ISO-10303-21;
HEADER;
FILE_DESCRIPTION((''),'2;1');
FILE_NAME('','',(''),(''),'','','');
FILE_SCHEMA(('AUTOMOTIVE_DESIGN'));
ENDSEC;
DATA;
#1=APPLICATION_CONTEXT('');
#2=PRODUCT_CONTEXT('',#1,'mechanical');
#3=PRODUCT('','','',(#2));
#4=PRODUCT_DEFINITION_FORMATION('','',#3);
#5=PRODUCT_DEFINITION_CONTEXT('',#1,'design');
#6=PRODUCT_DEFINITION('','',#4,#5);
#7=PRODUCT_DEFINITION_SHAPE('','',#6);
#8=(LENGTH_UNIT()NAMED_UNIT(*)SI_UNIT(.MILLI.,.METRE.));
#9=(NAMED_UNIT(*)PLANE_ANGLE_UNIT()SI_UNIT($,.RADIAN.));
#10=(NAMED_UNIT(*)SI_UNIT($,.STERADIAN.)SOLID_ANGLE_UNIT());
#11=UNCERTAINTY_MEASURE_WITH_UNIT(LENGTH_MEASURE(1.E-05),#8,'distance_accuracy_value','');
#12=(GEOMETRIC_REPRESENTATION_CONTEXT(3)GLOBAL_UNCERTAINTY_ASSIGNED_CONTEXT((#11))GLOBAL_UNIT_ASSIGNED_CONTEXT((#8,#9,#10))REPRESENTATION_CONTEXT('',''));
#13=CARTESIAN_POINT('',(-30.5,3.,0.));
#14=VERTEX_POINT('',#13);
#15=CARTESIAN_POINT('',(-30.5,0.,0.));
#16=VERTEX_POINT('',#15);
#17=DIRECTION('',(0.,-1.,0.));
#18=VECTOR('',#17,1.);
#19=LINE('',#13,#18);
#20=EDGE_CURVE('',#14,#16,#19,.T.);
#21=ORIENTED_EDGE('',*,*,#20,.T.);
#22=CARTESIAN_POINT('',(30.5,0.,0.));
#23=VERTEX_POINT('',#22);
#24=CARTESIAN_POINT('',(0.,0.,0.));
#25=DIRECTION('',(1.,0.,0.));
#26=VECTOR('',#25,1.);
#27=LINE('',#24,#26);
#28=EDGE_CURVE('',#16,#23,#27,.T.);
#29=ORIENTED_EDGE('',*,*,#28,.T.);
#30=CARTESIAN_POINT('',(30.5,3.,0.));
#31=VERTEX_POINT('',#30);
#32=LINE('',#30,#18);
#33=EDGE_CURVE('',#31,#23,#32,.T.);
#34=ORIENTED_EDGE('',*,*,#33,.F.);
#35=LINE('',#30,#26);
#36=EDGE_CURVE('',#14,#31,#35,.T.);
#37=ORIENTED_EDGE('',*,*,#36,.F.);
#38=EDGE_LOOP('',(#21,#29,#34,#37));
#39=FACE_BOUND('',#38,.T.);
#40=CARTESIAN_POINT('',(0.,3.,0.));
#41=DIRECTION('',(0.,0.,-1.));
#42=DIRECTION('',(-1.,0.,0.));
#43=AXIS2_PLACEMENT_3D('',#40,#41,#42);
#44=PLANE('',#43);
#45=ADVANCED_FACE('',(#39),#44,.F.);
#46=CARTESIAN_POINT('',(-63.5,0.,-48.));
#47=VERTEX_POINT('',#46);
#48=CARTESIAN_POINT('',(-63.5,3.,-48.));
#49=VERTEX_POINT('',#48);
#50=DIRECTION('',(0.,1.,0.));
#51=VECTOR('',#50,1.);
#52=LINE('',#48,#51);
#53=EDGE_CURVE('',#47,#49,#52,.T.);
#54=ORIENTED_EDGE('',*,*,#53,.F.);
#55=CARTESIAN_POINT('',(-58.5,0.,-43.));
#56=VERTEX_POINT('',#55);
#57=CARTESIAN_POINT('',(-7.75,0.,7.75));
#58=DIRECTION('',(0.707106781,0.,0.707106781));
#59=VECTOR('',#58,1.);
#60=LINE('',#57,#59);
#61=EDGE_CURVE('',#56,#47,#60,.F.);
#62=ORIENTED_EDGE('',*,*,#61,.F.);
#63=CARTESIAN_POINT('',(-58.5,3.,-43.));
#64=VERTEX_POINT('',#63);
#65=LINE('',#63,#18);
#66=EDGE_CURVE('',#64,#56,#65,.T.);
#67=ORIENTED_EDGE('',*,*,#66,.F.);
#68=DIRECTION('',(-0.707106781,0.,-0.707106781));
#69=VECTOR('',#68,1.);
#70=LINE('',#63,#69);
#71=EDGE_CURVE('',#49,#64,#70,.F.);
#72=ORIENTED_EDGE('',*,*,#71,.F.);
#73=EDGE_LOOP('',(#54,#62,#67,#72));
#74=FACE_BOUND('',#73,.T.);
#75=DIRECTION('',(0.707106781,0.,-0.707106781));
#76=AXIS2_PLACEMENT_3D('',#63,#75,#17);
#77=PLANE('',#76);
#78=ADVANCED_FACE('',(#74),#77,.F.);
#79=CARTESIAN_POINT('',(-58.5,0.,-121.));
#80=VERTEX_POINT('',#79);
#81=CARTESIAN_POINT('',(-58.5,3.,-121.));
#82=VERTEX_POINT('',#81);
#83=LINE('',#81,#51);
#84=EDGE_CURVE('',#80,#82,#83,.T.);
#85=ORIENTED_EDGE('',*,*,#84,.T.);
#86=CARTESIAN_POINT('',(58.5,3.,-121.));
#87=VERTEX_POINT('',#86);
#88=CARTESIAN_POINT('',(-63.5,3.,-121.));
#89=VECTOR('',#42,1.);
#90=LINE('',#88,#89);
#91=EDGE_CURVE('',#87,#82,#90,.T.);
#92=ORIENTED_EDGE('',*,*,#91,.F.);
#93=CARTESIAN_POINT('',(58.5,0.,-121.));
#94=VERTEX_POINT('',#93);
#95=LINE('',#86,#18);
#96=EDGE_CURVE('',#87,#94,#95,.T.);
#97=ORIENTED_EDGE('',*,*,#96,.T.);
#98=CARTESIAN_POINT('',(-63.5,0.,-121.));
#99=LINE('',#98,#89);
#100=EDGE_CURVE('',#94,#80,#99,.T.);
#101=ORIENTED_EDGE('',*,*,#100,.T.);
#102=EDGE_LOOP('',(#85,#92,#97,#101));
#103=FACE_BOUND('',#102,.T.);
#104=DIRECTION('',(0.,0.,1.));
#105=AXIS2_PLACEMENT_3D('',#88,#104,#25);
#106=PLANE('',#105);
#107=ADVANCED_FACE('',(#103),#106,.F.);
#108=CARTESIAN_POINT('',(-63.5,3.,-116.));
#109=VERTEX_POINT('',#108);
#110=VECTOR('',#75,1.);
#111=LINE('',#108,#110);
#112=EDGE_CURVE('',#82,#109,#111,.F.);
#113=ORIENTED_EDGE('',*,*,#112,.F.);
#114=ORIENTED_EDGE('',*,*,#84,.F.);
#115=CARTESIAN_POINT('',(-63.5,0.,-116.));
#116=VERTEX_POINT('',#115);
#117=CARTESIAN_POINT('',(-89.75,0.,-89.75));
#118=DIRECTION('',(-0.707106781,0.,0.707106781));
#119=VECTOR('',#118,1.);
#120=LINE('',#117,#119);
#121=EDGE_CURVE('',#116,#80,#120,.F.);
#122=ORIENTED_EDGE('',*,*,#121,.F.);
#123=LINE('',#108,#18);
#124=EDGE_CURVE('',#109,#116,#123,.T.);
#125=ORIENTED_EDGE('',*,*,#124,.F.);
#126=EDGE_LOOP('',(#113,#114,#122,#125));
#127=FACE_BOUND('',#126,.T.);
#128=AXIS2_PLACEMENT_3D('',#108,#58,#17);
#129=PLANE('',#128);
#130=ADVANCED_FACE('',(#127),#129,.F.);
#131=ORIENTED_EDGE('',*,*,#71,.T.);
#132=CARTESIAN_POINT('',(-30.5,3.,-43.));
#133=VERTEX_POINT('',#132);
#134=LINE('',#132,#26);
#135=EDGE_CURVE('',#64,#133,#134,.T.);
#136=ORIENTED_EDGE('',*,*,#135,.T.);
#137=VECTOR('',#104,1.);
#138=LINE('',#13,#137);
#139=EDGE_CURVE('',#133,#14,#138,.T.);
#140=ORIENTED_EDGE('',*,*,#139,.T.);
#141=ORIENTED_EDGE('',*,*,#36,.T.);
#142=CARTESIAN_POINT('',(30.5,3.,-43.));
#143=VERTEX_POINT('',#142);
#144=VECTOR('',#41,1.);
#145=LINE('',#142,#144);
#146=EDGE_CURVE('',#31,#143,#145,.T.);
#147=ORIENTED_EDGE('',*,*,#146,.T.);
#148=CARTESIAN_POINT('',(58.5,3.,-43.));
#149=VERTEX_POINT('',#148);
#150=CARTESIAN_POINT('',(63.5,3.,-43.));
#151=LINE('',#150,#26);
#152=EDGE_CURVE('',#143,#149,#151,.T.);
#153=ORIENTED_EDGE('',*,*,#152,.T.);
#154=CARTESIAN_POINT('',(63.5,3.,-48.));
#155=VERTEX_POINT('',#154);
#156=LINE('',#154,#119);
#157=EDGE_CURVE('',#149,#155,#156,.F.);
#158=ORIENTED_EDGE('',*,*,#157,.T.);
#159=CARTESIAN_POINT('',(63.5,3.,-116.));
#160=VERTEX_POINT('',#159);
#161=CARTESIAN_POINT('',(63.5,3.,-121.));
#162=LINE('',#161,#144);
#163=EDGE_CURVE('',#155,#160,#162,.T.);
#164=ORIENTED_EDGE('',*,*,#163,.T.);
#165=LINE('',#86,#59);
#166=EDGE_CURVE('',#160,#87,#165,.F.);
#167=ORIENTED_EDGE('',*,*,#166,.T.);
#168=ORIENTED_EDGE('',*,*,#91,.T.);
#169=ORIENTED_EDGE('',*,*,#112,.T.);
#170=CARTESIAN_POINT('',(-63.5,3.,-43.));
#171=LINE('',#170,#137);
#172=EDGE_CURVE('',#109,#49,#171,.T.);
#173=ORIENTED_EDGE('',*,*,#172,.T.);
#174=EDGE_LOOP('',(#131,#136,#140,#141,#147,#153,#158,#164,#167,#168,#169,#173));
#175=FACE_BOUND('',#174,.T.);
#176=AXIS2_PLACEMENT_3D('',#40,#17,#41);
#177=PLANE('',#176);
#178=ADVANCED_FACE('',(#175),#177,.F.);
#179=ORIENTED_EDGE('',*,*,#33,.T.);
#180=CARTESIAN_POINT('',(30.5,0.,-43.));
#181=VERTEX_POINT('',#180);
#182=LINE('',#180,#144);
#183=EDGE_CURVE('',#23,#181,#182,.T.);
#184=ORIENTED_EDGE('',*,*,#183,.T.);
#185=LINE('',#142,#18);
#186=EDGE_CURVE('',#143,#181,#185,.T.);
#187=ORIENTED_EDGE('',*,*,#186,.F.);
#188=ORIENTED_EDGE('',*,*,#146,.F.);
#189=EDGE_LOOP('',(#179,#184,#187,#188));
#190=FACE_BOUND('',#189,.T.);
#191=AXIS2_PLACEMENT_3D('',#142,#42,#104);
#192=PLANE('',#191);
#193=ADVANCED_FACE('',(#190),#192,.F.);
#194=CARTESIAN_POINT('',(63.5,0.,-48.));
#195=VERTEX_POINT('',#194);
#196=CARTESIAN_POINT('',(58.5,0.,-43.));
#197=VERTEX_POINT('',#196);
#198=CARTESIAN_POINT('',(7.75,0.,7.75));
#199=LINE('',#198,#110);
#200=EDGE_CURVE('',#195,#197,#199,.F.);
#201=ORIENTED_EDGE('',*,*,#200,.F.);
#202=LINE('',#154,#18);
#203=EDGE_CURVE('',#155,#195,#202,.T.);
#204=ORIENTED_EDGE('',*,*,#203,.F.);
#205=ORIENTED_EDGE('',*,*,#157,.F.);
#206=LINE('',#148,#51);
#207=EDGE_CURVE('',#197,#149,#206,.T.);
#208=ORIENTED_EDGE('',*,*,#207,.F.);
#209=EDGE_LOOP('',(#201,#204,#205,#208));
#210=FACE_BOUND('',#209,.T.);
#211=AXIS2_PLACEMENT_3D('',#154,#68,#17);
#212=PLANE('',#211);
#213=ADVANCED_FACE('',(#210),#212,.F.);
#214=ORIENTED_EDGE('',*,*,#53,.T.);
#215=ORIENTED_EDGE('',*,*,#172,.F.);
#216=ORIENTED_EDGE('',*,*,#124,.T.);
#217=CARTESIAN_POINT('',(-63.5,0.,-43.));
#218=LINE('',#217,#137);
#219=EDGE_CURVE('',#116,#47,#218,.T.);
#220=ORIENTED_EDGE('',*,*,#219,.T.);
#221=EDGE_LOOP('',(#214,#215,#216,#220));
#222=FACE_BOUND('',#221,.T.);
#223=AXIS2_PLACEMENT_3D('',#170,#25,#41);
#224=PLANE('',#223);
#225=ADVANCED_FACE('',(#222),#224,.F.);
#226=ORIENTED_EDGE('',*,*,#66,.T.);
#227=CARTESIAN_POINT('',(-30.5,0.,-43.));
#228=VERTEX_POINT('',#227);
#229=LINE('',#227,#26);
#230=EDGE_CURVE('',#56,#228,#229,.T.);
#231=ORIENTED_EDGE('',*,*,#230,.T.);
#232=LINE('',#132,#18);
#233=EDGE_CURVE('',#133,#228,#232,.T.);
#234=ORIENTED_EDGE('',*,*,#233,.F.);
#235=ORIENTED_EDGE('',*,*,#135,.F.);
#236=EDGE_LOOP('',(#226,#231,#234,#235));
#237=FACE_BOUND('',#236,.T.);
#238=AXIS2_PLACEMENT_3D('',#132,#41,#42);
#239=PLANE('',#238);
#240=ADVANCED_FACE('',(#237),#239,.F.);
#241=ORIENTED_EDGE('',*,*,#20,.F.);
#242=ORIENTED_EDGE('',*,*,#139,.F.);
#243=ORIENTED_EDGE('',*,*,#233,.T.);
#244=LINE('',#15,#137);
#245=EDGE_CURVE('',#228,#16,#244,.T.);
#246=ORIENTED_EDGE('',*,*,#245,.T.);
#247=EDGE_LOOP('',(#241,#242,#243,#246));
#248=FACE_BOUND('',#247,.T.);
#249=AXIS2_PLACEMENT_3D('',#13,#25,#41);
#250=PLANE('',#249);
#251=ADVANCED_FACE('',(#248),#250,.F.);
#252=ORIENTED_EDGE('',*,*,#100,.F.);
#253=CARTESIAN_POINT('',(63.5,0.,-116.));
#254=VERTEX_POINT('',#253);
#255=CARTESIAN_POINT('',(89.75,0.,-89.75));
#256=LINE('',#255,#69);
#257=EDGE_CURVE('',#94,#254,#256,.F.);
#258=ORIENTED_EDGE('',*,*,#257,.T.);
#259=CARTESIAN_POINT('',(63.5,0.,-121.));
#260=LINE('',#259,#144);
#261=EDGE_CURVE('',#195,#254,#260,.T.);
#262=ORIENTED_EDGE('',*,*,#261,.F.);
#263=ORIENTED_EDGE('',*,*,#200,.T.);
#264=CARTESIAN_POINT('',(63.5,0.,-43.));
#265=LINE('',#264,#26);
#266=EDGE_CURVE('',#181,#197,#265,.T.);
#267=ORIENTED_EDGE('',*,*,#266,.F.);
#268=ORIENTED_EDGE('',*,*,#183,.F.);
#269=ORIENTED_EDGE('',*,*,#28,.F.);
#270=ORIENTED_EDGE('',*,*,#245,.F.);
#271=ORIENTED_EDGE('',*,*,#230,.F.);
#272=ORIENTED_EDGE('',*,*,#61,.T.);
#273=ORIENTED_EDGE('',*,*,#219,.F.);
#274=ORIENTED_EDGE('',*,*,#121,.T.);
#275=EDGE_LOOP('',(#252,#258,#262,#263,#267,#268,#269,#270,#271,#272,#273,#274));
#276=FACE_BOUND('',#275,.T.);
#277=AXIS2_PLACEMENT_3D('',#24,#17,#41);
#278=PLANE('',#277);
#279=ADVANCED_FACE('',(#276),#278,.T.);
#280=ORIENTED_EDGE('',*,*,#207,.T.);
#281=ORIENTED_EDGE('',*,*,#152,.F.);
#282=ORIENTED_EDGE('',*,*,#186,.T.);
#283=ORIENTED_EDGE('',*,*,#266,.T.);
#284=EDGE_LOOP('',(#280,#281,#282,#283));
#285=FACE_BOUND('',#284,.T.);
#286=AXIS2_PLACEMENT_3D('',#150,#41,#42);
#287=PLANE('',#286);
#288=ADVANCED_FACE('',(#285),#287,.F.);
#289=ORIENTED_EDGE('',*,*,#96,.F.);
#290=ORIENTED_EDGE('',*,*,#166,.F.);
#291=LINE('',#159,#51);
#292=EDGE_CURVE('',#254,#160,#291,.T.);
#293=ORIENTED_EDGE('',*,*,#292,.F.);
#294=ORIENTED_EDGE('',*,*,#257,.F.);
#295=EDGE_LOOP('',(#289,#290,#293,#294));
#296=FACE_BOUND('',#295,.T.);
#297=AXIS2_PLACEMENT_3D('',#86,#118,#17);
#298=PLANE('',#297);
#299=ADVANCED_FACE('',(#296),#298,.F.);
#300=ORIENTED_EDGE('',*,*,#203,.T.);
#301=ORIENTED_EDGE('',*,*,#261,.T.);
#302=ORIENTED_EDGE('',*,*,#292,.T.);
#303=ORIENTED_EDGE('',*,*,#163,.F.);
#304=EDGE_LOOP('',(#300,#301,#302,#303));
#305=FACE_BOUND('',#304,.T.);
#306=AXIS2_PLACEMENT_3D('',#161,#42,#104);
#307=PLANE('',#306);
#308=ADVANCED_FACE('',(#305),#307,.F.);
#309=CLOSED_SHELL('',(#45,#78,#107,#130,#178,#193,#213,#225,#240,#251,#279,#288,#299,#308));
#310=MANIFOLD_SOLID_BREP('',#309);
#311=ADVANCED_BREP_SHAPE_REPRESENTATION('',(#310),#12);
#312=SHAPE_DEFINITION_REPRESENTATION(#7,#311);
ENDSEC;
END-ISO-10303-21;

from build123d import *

# Parameters (mm, degrees)
BOSS_EXTRU_1_DEPTH = 3
CHANFREIN1_SIZE    = 5


with BuildPart() as part:
    # Esquisse1 → Boss.-Extru.1 (new body)
    with BuildSketch(Plane(origin=(0, 0, 0), x_dir=(1, 0, 0), z_dir=(0, 1, 0))):
        Polygon((0, 0), (-30.5, 0), (-30.5, 43), (-63.5, 43), (-63.5, 121), (63.5, 121), (63.5, 43), (30.5, 43), (30.5, 0), align=None)
    extrude(amount=BOSS_EXTRU_1_DEPTH)

    # Chanfrein1
    chanfrein1_edges = [part.edges().sort_by_distance(p)[0] for p in [
        (-63.5, 1.5, -43),
        (-63.5, 1.5, -121),
        (63.5, 1.5, -121),
        (63.5, 1.5, -43),
    ]]
    chamfer(chanfrein1_edges, length=CHANFREIN1_SIZE)


solid = part.part
